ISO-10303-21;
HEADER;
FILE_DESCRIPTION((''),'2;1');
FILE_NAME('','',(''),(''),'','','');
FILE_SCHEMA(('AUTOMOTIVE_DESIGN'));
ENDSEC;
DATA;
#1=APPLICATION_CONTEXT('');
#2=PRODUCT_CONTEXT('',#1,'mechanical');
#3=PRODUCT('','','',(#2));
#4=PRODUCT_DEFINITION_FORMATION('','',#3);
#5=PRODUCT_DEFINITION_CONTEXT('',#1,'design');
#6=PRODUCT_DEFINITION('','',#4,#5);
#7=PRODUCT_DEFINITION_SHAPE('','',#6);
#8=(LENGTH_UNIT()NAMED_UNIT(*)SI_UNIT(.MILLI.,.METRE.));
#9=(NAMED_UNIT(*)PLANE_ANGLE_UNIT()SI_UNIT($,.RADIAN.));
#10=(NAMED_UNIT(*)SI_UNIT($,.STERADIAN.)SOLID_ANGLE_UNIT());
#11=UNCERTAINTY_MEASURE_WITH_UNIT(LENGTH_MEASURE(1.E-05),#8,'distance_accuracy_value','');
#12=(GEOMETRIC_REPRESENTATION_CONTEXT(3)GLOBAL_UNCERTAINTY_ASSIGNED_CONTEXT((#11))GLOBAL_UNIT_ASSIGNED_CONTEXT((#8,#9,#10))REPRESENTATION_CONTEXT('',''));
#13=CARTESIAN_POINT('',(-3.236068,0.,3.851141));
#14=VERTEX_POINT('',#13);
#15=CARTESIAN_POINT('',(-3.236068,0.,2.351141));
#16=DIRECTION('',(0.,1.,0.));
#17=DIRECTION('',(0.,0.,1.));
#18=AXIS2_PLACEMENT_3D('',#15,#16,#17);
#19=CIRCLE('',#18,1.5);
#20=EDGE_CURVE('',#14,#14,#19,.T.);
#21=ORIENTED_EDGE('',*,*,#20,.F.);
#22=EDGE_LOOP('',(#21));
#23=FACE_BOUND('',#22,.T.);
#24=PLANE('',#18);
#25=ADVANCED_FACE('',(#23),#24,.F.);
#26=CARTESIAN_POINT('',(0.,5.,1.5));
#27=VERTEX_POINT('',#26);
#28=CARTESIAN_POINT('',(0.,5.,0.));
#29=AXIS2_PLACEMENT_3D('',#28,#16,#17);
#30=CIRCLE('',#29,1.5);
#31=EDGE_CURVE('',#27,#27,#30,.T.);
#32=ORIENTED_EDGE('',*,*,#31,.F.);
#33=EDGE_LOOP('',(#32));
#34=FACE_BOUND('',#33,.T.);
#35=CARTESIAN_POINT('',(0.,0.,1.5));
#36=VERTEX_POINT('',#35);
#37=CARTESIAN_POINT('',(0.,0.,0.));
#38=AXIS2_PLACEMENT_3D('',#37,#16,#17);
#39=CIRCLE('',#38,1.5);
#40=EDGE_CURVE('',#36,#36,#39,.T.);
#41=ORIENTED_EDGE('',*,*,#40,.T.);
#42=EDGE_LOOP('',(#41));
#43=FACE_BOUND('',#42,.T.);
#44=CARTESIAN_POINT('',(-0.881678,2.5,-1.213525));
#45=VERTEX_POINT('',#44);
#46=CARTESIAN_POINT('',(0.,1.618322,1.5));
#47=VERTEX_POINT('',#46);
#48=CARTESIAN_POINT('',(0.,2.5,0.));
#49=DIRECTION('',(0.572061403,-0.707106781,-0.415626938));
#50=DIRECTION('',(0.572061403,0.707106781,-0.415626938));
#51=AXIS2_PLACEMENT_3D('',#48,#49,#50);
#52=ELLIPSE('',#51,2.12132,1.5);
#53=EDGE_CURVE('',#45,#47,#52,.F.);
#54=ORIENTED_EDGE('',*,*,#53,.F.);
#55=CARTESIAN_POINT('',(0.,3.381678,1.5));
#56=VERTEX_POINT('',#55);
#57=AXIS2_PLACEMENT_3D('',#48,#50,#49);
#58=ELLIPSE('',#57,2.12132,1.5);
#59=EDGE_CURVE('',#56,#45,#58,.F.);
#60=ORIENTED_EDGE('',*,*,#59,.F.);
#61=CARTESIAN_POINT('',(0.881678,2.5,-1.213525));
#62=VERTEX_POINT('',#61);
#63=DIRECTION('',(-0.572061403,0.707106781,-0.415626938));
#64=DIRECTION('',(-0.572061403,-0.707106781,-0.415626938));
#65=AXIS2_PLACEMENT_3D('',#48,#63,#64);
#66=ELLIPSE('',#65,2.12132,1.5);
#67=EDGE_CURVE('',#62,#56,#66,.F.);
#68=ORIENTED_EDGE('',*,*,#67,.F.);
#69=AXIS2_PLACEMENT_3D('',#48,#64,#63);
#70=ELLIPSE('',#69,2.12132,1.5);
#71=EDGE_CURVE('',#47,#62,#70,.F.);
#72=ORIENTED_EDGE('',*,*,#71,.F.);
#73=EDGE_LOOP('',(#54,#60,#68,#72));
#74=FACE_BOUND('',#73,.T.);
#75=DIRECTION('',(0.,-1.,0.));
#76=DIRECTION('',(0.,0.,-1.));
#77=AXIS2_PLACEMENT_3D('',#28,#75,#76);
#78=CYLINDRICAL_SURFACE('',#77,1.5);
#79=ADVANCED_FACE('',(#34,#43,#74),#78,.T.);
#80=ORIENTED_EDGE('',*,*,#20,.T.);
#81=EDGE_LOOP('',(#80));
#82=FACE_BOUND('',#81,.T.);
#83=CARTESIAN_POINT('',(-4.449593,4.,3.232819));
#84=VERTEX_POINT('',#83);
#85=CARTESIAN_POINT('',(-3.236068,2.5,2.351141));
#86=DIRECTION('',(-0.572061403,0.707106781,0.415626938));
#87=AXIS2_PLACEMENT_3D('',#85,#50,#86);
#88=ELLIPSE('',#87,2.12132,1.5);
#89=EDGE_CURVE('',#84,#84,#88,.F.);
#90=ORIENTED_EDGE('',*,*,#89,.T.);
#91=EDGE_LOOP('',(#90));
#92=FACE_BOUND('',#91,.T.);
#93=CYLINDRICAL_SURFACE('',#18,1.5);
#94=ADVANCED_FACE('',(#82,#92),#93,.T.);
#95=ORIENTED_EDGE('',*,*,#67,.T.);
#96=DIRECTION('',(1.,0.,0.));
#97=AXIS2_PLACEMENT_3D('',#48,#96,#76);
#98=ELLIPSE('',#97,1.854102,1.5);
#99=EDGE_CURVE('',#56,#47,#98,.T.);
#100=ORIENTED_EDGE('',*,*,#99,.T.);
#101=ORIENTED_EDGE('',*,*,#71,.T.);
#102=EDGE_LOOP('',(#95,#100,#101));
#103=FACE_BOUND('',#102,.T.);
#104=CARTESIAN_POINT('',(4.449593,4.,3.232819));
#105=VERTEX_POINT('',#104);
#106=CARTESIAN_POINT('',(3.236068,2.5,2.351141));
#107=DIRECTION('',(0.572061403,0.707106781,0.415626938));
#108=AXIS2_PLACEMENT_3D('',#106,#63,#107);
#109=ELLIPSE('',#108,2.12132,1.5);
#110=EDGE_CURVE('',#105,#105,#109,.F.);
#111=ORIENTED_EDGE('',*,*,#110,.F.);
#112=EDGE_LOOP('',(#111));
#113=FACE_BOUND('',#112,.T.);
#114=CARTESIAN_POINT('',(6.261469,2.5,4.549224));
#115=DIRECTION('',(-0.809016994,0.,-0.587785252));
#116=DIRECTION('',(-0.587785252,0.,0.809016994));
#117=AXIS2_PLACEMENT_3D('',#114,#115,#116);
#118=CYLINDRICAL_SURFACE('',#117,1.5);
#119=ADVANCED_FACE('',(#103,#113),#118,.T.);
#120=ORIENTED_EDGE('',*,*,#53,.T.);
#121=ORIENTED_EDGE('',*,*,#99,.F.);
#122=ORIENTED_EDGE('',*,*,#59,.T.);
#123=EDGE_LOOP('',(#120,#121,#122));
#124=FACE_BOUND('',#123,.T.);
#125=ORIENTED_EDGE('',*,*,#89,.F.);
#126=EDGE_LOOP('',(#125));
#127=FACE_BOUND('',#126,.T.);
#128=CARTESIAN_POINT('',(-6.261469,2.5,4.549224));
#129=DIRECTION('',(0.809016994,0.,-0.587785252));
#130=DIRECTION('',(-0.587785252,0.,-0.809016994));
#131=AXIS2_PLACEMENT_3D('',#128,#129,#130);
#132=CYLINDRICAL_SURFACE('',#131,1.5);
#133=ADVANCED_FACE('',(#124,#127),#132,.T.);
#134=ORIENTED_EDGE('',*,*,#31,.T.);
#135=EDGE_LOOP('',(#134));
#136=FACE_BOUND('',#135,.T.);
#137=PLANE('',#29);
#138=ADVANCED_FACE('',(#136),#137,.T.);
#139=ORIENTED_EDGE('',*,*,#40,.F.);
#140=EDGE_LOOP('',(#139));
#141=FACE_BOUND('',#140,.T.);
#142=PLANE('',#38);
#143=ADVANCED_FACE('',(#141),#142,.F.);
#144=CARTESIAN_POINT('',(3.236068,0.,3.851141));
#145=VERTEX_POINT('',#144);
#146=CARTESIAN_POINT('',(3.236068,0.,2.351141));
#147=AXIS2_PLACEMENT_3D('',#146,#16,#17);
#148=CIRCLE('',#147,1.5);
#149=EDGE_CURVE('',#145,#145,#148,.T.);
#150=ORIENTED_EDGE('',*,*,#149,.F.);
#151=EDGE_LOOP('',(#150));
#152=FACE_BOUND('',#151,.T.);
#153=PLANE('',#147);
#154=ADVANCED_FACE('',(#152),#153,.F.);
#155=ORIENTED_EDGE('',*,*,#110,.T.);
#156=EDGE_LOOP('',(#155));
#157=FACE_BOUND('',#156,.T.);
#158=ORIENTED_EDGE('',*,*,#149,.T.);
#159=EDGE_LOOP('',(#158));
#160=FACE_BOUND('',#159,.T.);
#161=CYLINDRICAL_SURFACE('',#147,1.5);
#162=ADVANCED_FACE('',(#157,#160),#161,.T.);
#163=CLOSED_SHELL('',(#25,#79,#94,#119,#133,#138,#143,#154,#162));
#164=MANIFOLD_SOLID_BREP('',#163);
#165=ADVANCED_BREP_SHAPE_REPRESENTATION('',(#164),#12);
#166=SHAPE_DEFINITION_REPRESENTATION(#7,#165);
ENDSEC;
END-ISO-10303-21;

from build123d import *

# Parameters (mm, degrees)
SKETCH2_R           = 1.5
SKETCH5_R           = 1.5
SKETCH1_R           = 1.5
BOSS_EXTRUDE1_DEPTH = 5


with BuildPart() as part:
    # Sweep1: sweep along a path in Sketch3
    with BuildLine(Plane(origin=(0, 0, 0), x_dir=(-0.8090169943749461, 0, 0.5877852522924749), z_dir=(-0.5877852522924749, 0, -0.8090169943749461))) as sweep1_path:
        Line((4, 0), (4, 2.5))
        Line((4, 2.5), (0, 2.5))
    # Sketch2 → Sweep1 (sweep)
    with BuildSketch(Plane(origin=(0, 0, 0), x_dir=(1, 0, 0), z_dir=(0, 1, 0))):
        with Locations((-3.236067977, -2.351141009)):
            Circle(SKETCH2_R)
    sweep(path=sweep1_path.line, transition=Transition.RIGHT)

    # Sweep2: sweep along a path in Sketch6
    with BuildLine(Plane(origin=(0, 0, 0), x_dir=(0.8090169943749507, 0, 0.5877852522924687), z_dir=(-0.5877852522924687, 0, 0.8090169943749507))) as sweep2_path:
        Line((4, 0), (4, 2.5))
        Line((4, 2.5), (0, 2.5))
    # Sketch5 → Sweep2 (sweep)
    with BuildSketch(Plane(origin=(0, 0, 0), x_dir=(1, 0, 0), z_dir=(0, 1, 0))):
        with Locations((3.236067977, -2.351141009)):
            Circle(SKETCH5_R)
    sweep(path=sweep2_path.line, transition=Transition.RIGHT)

    # Sketch1 → Boss-Extrude1 (add)
    with BuildSketch(Plane(origin=(0, 0, 0), x_dir=(1, 0, 0), z_dir=(0, 1, 0))):
        with Locations(Location((0, 0, 0), (0, 0, 270))):
            Circle(SKETCH1_R)
    extrude(amount=BOSS_EXTRUDE1_DEPTH)


solid = part.part
